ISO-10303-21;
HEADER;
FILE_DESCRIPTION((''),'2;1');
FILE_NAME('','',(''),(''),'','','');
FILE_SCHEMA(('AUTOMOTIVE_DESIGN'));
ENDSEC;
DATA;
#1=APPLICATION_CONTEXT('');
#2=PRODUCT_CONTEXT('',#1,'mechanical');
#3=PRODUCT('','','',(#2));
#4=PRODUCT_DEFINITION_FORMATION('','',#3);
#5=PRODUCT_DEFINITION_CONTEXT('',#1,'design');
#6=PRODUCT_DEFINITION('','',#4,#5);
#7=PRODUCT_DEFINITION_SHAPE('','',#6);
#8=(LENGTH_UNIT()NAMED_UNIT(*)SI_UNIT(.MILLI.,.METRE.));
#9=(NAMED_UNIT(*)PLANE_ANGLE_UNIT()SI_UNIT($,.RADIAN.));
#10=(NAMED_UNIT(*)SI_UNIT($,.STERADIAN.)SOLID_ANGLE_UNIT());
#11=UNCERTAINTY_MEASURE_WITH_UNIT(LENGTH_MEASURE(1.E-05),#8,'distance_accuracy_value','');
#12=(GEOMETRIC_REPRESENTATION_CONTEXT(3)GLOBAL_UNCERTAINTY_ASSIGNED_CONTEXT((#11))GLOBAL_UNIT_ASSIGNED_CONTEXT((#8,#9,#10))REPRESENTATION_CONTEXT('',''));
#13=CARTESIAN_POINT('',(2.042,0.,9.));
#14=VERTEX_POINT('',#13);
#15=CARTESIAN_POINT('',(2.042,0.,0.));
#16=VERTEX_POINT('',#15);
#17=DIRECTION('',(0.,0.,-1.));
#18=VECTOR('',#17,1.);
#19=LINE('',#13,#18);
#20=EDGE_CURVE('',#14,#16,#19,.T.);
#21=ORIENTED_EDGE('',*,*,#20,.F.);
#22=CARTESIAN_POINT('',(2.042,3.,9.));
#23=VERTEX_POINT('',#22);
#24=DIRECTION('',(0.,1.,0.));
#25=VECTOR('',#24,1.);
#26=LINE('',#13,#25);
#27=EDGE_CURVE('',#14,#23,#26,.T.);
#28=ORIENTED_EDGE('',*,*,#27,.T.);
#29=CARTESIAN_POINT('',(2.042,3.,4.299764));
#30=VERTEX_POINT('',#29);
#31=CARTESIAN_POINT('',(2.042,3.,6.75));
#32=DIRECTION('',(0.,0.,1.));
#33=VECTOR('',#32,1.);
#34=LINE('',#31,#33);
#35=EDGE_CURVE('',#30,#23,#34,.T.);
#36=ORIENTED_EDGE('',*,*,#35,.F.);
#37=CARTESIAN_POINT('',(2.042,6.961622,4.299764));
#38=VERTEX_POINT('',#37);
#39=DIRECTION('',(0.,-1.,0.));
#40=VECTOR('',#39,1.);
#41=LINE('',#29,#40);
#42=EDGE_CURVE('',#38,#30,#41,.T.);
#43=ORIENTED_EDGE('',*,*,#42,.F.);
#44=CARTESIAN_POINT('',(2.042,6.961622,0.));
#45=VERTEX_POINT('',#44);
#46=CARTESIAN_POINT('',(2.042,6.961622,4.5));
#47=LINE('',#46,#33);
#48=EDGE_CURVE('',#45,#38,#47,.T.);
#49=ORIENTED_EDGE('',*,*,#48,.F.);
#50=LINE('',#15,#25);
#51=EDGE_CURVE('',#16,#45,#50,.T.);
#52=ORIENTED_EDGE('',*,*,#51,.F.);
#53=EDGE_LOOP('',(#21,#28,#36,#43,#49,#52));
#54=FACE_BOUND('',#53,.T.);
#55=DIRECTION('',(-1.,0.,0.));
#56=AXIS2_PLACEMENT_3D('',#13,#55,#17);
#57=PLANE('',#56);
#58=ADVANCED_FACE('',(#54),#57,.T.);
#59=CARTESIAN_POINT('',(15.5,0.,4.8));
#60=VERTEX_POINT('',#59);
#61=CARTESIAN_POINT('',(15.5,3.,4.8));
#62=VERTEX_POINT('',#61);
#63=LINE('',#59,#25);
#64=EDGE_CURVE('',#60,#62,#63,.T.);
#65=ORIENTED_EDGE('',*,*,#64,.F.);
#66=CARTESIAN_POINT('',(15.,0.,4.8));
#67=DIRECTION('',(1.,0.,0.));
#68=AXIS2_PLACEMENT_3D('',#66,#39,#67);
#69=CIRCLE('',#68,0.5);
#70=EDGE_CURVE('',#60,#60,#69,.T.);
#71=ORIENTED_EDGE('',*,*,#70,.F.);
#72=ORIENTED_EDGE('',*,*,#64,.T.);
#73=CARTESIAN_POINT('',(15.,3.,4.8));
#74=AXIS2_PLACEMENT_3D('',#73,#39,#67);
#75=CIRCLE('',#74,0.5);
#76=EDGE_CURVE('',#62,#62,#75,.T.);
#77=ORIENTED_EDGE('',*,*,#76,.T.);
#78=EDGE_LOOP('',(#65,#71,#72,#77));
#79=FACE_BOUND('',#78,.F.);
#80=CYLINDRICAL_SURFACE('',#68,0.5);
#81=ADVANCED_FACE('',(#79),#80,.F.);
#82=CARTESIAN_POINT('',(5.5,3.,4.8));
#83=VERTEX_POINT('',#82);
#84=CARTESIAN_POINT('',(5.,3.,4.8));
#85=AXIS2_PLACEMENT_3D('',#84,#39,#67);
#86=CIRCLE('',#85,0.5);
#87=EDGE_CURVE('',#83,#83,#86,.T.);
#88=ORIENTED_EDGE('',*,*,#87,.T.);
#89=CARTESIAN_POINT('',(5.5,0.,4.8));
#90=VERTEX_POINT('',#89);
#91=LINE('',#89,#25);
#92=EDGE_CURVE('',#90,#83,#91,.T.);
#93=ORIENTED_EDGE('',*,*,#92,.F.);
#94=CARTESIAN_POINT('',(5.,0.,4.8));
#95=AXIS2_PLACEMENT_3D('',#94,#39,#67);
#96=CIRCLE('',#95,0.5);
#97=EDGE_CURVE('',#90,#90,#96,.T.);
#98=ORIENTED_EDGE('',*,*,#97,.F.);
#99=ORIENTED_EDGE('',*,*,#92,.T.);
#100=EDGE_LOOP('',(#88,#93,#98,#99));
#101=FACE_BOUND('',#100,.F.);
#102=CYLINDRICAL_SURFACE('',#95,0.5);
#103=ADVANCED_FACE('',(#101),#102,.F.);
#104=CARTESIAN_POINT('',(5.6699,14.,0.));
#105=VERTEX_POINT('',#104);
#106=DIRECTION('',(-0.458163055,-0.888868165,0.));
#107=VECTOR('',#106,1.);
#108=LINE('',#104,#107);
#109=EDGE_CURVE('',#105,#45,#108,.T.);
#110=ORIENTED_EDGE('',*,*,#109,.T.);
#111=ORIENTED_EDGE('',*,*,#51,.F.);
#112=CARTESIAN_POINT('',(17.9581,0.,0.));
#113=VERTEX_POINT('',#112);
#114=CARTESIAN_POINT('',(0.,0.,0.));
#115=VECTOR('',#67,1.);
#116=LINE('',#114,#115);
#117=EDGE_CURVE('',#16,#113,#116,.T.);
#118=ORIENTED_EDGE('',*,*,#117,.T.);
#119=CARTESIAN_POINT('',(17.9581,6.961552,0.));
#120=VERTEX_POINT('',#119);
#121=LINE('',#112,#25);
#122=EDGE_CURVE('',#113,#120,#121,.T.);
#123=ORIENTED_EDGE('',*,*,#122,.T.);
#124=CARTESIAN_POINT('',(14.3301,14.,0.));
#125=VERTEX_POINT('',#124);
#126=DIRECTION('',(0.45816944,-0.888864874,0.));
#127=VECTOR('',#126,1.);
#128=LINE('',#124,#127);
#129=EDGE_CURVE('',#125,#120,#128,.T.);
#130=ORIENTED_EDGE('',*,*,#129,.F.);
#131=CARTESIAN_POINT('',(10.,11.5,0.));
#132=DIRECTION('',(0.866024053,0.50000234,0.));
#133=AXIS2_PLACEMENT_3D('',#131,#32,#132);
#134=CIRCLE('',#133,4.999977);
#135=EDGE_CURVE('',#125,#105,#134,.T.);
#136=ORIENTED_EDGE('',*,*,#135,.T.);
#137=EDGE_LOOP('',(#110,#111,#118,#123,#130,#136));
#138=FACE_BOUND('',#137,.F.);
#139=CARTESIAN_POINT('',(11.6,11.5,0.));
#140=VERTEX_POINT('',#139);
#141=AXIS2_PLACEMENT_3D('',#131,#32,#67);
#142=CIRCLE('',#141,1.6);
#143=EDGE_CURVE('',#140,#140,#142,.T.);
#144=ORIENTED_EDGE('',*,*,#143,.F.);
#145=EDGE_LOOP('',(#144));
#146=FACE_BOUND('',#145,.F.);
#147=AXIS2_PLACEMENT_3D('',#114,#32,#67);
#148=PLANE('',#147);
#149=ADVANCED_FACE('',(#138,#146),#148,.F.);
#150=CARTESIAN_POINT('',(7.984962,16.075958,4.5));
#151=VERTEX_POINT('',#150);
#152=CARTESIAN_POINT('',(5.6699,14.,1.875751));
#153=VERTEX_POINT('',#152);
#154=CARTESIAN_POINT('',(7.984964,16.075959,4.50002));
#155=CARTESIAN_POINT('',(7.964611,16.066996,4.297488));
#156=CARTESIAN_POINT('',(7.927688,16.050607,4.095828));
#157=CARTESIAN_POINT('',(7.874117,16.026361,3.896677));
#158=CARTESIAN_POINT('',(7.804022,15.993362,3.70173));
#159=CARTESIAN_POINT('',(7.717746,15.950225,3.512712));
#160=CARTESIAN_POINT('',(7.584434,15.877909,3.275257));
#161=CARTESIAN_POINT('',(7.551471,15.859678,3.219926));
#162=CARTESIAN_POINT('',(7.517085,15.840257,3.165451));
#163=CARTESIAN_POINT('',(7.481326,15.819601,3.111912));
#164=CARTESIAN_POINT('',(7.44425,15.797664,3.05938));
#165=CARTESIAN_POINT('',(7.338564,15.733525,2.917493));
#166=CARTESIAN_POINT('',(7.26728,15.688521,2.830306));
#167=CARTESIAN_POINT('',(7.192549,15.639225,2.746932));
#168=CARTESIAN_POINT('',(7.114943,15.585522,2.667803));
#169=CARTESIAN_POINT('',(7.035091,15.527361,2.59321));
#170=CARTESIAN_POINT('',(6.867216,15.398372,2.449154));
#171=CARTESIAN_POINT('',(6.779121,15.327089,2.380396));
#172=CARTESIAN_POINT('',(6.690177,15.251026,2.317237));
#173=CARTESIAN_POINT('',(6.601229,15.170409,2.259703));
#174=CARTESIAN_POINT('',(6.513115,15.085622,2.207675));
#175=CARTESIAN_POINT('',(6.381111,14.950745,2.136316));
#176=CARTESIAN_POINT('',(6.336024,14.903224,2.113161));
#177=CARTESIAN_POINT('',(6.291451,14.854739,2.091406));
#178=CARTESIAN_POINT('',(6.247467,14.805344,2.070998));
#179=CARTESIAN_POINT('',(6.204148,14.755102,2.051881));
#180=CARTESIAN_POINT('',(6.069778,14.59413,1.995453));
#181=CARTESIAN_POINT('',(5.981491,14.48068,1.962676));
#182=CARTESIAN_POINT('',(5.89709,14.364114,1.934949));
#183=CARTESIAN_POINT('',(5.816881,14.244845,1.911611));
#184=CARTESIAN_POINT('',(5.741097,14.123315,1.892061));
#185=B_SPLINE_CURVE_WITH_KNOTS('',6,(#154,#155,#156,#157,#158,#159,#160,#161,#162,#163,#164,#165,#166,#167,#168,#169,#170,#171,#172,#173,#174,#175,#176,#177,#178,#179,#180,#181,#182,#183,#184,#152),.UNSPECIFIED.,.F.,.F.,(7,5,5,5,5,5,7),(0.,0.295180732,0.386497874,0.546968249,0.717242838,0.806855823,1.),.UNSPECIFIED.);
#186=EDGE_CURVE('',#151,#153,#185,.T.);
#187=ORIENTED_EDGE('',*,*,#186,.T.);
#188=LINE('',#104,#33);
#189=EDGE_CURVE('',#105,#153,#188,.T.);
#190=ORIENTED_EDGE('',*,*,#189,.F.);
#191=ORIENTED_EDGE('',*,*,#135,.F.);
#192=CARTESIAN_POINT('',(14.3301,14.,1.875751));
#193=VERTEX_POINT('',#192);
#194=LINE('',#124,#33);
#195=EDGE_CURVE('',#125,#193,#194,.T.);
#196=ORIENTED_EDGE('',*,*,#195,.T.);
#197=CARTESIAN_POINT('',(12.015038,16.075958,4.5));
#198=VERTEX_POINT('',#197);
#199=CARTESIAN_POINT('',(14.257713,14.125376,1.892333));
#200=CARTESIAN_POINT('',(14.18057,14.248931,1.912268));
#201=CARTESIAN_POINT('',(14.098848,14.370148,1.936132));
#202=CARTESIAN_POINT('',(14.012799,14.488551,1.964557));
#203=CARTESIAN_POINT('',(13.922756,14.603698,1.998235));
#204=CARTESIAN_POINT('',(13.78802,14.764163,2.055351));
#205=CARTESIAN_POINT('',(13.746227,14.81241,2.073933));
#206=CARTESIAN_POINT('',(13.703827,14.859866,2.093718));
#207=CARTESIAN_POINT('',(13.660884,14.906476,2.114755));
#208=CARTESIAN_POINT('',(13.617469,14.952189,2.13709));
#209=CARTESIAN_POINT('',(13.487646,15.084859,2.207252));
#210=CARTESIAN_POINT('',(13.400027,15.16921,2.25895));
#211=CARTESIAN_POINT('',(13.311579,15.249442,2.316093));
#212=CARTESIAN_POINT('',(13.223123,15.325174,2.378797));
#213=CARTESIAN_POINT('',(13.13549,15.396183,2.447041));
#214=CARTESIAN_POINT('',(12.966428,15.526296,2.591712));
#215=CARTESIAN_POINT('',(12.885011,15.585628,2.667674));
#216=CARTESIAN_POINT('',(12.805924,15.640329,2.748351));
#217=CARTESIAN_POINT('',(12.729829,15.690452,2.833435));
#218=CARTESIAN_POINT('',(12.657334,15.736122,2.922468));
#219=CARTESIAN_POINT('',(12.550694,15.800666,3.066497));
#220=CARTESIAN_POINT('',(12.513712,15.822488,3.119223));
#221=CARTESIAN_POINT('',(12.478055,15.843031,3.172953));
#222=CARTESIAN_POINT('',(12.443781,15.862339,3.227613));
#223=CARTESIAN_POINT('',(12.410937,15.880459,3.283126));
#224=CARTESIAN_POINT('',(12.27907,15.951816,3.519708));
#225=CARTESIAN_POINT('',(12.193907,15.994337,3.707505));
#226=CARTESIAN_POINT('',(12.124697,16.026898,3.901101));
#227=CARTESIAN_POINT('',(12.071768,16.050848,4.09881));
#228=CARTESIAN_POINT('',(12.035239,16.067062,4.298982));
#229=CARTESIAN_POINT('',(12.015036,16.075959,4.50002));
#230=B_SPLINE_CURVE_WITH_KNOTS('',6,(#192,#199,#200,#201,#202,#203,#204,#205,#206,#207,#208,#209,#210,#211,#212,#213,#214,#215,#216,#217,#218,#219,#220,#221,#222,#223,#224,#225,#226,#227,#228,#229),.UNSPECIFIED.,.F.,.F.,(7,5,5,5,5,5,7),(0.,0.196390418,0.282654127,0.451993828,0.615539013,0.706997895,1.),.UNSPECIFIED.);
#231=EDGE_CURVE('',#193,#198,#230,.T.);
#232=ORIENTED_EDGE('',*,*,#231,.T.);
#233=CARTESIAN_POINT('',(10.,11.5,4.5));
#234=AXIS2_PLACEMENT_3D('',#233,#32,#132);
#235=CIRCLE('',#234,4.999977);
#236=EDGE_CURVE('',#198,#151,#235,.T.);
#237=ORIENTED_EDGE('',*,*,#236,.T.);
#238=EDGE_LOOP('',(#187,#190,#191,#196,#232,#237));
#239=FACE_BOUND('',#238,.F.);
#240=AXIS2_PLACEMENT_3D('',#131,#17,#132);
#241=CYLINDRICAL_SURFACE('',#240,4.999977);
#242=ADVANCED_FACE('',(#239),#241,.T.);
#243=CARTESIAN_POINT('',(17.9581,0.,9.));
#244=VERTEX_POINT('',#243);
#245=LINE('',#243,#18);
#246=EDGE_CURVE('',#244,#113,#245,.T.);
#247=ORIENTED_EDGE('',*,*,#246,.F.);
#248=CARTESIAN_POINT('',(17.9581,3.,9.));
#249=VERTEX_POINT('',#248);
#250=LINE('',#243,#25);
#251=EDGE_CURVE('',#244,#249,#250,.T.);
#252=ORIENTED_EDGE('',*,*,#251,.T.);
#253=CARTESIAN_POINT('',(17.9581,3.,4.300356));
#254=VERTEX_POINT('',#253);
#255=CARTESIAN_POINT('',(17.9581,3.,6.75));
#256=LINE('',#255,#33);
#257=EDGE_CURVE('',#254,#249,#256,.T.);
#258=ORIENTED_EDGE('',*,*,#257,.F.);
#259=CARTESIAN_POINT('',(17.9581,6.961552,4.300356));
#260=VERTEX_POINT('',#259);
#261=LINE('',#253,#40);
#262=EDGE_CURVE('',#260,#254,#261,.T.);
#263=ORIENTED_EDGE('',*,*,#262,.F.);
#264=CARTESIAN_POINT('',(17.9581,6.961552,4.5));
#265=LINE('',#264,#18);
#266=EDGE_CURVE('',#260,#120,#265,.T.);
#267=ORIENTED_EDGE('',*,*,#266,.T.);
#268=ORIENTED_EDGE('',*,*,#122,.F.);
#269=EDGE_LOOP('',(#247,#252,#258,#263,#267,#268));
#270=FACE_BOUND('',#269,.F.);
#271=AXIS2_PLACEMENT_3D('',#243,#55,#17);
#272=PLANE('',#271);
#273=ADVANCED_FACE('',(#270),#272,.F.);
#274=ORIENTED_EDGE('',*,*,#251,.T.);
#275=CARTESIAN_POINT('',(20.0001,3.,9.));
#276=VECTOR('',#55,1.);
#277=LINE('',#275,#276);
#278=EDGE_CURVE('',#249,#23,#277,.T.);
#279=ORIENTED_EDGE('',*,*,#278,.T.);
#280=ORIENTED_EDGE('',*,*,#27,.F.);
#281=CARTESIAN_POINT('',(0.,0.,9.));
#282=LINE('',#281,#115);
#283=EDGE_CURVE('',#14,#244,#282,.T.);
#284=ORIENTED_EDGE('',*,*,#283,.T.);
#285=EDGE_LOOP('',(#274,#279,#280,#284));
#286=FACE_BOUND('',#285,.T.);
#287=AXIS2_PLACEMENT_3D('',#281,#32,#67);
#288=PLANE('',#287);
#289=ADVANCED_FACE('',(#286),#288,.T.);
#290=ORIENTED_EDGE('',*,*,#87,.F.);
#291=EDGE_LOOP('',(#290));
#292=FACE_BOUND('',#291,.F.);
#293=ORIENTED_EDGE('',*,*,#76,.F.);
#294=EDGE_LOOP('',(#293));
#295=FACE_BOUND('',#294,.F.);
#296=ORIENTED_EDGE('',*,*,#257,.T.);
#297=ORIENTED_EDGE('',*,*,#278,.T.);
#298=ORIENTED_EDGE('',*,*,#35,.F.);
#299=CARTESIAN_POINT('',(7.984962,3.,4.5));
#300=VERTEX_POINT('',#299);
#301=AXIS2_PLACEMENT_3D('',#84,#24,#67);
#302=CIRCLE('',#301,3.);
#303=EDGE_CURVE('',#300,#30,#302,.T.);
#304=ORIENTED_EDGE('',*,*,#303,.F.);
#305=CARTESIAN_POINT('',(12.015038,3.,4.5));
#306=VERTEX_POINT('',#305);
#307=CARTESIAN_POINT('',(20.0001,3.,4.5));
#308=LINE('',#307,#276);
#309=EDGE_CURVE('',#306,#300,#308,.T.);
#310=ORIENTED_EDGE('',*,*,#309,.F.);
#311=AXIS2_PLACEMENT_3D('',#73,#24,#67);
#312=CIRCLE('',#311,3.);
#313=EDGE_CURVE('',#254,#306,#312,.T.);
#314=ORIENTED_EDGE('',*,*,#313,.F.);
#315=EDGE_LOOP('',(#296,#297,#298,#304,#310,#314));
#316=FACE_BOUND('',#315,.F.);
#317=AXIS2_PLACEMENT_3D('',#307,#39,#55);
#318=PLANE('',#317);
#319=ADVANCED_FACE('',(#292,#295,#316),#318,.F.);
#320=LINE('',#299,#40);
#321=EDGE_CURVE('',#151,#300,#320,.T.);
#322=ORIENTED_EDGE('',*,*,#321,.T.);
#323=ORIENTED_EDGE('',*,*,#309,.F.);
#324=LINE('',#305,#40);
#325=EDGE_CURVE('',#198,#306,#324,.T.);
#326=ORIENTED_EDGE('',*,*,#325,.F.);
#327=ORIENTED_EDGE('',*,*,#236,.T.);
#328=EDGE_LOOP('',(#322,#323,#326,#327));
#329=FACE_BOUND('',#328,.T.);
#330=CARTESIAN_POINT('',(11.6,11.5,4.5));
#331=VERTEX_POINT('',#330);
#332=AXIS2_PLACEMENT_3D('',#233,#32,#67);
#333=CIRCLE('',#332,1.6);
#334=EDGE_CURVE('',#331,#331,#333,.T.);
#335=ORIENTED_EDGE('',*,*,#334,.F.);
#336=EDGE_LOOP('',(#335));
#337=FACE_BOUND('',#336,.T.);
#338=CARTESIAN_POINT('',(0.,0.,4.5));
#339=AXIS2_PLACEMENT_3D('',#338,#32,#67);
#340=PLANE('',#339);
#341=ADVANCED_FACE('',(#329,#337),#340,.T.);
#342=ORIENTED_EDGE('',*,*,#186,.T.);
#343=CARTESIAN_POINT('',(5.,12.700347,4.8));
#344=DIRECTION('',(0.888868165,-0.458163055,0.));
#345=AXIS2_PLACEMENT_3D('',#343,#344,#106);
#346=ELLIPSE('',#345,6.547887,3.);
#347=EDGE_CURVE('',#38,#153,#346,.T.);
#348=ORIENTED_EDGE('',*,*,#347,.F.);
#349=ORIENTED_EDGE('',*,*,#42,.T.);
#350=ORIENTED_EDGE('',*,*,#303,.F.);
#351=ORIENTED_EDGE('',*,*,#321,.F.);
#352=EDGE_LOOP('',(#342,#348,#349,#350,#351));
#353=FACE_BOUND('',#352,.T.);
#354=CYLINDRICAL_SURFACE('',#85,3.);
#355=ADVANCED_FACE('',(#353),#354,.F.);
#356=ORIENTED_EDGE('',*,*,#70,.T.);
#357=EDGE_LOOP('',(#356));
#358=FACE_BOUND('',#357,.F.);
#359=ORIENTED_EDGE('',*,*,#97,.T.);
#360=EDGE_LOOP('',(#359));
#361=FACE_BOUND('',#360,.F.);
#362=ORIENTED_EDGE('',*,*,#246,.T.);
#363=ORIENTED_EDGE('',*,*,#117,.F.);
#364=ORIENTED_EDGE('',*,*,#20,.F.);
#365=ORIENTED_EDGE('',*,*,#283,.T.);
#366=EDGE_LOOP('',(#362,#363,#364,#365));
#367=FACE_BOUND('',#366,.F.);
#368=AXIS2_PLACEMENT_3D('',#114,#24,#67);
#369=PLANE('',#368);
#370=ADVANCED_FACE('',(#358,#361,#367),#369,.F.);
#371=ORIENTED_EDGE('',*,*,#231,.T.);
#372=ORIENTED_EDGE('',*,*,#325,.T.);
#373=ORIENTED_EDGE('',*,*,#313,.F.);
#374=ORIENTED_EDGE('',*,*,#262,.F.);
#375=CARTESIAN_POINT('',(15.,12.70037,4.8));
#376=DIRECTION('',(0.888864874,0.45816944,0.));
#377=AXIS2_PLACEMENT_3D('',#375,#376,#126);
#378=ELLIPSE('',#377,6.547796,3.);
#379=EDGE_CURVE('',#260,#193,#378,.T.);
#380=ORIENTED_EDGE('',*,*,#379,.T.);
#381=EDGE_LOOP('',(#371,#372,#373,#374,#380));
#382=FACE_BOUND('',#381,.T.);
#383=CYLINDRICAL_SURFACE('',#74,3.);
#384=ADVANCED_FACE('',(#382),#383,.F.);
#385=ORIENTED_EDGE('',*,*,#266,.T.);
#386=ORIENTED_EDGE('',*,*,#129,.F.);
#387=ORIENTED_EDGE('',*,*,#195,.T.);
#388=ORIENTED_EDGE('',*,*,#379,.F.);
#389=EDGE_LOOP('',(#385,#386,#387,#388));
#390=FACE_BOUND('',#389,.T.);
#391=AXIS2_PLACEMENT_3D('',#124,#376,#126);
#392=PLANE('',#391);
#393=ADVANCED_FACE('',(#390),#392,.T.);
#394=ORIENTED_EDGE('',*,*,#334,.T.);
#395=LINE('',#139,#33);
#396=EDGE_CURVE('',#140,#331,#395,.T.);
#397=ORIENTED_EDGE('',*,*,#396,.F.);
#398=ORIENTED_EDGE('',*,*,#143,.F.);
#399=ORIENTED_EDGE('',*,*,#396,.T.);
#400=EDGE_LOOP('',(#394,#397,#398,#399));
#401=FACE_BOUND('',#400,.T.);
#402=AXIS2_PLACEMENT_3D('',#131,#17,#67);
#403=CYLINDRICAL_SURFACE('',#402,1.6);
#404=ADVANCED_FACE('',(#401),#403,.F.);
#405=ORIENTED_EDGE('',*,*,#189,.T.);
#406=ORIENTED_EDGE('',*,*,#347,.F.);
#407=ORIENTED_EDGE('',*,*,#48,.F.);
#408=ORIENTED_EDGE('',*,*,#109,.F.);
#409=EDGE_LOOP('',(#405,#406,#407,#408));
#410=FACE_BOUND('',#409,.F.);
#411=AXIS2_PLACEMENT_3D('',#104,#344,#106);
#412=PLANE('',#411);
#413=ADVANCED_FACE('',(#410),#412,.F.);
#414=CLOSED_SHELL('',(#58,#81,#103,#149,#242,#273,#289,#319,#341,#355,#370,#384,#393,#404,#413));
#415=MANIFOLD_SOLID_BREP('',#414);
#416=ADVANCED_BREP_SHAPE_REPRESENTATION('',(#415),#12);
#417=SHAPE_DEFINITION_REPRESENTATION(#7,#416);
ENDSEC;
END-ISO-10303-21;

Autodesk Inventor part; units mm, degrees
ref_plane "YZ Plane" through (0, 0, 0) normal (1, 0, 0) x (0, 1, 0)
ref_plane "XZ Plane" through (0, 0, 0) normal (0, 1, 0) x (-1, 0, 0)
ref_plane "XY Plane" through (0, 0, 0) normal (0, 0, 1) x (1, 0, 0)
sketch "Sketch1" plane through (0, 0, 0) normal (0, 0, 1) x (1, 0, 0)
  circle A0 centre (10, 11.5) radius 1.6
  line L0 (0, 0) -> (20.0001, 0)
  line L1 (0, 0) -> (0, 3)
  line L2 (20.0001, 0) -> (20.0001, 3)
  line L3 (0, 3) -> (16, 3) construction
  line L4 (20.0001, 3) -> (36.0001, 3) construction
  arc A1 (14.3301, 14) -> (5.6699, 14) centre (10, 11.5) ccw
  line L5 (10, 11.5) -> (5.6699, 14) construction
  line L6 (10, 11.5) -> (14.3301, 14) construction
  line L7 (5.6699, 14) -> (0, 3)
  line L8 (14.3301, 14) -> (20.0001, 3)
  dimension "d17" = 3
  dimension "d18" = 3
  dimension "d19" = 11.5
  dimension "d23" = 90
  dimension "d24" = 90
  dimension "d25" = 10
  dimension "d31" = 5
  dimension "d32" = 120
  dimension "d33" = 14
extrude "Extrusion1" add sketch "Sketch1" along normal blind 4.5
sketch "Sketch4" plane through (0, 0, 4.5) normal (0, 0, 1) x (1, 0, 0)
  line L0 (0, 3) -> (0, 0) projected
  line L1 (20.0001, 0) -> (20.0001, 3) projected
  line L2 (0, 0) -> (20.0001, 0)
  line L3 (20.0001, 0) -> (20.0001, 3)
  line L4 (3.884, 22.9404) -> (-0.9789, 3.2417) projected
  line L5 (20.0001, 3) -> (0, 3)
  line L6 (0, 3) -> (0, 0)
extrude "Extrusion2" add sketch "Sketch4" along normal blind 4.5
sketch "Sketch5" plane through (0, 0, 0) normal (0, -1, 0) x (1, 0, 0)
  circle A0 centre (5, 4.8) radius 0.5
  circle A1 centre (15, 4.8) radius 0.5
  line L0 (0, 0) -> (20.0001, 0) projected
  dimension "d13" = 1
  dimension "d14" = 1
  dimension "d38" = 4.8
  dimension "d39" = 4.8
extrude "Extrusion3" cut sketch "Sketch5" against normal through all
sketch "Sketch6" plane through (0, 3, 9) normal (0, 1, 0) x (1, 0, 0)
  circle A0 centre (5, 4.2) radius 0.5 projected
  circle A1 centre (5, 4.2) radius 3
  circle A2 centre (15, 4.2) radius 0.5 projected
  circle A3 centre (15, 4.2) radius 3
  line L0 (0, 9) -> (20.0001, 9) projected
  dimension "d34" = 6
  dimension "d35" = 6
  dimension "d40" = 4.8
  dimension "d41" = 4.8
extrude "Extrusion4" cut sketch "Sketch6" along normal up to next
sketch "Sketch7" plane through (0, 0, 0) normal (0, -1, 0) x (1, 0, 0)
  line L0 (0, 0) -> (0, 9) projected
  line L1 (2.042, 0) -> (0, 0)
  line L2 (0, 0) -> (0, 9)
  line L3 (0, 9) -> (2.042, 9)
  line L4 (2.042, 9) -> (2.042, 0)
extrude "Extrusion5" cut sketch "Sketch7" against normal up to next
sketch "Sketch8" plane through (20.0001, 0, 0) normal (0, -1, 0) x (1, 0, 0)
  line L0 (0, 4.5) -> (0, 9) projected
  line L1 (-2.042, 0) -> (0, 0)
  line L2 (0, 0) -> (0, 9)
  line L3 (0, 9) -> (-2.042, 9)
  line L4 (-2.042, 9) -> (-2.042, 0)
  point P0 (-20.0001, 0)
extrude "Extrusion6" cut sketch "Sketch8" against normal up to next
properties part number "lower_deck_shaft_mount_printing_org"
